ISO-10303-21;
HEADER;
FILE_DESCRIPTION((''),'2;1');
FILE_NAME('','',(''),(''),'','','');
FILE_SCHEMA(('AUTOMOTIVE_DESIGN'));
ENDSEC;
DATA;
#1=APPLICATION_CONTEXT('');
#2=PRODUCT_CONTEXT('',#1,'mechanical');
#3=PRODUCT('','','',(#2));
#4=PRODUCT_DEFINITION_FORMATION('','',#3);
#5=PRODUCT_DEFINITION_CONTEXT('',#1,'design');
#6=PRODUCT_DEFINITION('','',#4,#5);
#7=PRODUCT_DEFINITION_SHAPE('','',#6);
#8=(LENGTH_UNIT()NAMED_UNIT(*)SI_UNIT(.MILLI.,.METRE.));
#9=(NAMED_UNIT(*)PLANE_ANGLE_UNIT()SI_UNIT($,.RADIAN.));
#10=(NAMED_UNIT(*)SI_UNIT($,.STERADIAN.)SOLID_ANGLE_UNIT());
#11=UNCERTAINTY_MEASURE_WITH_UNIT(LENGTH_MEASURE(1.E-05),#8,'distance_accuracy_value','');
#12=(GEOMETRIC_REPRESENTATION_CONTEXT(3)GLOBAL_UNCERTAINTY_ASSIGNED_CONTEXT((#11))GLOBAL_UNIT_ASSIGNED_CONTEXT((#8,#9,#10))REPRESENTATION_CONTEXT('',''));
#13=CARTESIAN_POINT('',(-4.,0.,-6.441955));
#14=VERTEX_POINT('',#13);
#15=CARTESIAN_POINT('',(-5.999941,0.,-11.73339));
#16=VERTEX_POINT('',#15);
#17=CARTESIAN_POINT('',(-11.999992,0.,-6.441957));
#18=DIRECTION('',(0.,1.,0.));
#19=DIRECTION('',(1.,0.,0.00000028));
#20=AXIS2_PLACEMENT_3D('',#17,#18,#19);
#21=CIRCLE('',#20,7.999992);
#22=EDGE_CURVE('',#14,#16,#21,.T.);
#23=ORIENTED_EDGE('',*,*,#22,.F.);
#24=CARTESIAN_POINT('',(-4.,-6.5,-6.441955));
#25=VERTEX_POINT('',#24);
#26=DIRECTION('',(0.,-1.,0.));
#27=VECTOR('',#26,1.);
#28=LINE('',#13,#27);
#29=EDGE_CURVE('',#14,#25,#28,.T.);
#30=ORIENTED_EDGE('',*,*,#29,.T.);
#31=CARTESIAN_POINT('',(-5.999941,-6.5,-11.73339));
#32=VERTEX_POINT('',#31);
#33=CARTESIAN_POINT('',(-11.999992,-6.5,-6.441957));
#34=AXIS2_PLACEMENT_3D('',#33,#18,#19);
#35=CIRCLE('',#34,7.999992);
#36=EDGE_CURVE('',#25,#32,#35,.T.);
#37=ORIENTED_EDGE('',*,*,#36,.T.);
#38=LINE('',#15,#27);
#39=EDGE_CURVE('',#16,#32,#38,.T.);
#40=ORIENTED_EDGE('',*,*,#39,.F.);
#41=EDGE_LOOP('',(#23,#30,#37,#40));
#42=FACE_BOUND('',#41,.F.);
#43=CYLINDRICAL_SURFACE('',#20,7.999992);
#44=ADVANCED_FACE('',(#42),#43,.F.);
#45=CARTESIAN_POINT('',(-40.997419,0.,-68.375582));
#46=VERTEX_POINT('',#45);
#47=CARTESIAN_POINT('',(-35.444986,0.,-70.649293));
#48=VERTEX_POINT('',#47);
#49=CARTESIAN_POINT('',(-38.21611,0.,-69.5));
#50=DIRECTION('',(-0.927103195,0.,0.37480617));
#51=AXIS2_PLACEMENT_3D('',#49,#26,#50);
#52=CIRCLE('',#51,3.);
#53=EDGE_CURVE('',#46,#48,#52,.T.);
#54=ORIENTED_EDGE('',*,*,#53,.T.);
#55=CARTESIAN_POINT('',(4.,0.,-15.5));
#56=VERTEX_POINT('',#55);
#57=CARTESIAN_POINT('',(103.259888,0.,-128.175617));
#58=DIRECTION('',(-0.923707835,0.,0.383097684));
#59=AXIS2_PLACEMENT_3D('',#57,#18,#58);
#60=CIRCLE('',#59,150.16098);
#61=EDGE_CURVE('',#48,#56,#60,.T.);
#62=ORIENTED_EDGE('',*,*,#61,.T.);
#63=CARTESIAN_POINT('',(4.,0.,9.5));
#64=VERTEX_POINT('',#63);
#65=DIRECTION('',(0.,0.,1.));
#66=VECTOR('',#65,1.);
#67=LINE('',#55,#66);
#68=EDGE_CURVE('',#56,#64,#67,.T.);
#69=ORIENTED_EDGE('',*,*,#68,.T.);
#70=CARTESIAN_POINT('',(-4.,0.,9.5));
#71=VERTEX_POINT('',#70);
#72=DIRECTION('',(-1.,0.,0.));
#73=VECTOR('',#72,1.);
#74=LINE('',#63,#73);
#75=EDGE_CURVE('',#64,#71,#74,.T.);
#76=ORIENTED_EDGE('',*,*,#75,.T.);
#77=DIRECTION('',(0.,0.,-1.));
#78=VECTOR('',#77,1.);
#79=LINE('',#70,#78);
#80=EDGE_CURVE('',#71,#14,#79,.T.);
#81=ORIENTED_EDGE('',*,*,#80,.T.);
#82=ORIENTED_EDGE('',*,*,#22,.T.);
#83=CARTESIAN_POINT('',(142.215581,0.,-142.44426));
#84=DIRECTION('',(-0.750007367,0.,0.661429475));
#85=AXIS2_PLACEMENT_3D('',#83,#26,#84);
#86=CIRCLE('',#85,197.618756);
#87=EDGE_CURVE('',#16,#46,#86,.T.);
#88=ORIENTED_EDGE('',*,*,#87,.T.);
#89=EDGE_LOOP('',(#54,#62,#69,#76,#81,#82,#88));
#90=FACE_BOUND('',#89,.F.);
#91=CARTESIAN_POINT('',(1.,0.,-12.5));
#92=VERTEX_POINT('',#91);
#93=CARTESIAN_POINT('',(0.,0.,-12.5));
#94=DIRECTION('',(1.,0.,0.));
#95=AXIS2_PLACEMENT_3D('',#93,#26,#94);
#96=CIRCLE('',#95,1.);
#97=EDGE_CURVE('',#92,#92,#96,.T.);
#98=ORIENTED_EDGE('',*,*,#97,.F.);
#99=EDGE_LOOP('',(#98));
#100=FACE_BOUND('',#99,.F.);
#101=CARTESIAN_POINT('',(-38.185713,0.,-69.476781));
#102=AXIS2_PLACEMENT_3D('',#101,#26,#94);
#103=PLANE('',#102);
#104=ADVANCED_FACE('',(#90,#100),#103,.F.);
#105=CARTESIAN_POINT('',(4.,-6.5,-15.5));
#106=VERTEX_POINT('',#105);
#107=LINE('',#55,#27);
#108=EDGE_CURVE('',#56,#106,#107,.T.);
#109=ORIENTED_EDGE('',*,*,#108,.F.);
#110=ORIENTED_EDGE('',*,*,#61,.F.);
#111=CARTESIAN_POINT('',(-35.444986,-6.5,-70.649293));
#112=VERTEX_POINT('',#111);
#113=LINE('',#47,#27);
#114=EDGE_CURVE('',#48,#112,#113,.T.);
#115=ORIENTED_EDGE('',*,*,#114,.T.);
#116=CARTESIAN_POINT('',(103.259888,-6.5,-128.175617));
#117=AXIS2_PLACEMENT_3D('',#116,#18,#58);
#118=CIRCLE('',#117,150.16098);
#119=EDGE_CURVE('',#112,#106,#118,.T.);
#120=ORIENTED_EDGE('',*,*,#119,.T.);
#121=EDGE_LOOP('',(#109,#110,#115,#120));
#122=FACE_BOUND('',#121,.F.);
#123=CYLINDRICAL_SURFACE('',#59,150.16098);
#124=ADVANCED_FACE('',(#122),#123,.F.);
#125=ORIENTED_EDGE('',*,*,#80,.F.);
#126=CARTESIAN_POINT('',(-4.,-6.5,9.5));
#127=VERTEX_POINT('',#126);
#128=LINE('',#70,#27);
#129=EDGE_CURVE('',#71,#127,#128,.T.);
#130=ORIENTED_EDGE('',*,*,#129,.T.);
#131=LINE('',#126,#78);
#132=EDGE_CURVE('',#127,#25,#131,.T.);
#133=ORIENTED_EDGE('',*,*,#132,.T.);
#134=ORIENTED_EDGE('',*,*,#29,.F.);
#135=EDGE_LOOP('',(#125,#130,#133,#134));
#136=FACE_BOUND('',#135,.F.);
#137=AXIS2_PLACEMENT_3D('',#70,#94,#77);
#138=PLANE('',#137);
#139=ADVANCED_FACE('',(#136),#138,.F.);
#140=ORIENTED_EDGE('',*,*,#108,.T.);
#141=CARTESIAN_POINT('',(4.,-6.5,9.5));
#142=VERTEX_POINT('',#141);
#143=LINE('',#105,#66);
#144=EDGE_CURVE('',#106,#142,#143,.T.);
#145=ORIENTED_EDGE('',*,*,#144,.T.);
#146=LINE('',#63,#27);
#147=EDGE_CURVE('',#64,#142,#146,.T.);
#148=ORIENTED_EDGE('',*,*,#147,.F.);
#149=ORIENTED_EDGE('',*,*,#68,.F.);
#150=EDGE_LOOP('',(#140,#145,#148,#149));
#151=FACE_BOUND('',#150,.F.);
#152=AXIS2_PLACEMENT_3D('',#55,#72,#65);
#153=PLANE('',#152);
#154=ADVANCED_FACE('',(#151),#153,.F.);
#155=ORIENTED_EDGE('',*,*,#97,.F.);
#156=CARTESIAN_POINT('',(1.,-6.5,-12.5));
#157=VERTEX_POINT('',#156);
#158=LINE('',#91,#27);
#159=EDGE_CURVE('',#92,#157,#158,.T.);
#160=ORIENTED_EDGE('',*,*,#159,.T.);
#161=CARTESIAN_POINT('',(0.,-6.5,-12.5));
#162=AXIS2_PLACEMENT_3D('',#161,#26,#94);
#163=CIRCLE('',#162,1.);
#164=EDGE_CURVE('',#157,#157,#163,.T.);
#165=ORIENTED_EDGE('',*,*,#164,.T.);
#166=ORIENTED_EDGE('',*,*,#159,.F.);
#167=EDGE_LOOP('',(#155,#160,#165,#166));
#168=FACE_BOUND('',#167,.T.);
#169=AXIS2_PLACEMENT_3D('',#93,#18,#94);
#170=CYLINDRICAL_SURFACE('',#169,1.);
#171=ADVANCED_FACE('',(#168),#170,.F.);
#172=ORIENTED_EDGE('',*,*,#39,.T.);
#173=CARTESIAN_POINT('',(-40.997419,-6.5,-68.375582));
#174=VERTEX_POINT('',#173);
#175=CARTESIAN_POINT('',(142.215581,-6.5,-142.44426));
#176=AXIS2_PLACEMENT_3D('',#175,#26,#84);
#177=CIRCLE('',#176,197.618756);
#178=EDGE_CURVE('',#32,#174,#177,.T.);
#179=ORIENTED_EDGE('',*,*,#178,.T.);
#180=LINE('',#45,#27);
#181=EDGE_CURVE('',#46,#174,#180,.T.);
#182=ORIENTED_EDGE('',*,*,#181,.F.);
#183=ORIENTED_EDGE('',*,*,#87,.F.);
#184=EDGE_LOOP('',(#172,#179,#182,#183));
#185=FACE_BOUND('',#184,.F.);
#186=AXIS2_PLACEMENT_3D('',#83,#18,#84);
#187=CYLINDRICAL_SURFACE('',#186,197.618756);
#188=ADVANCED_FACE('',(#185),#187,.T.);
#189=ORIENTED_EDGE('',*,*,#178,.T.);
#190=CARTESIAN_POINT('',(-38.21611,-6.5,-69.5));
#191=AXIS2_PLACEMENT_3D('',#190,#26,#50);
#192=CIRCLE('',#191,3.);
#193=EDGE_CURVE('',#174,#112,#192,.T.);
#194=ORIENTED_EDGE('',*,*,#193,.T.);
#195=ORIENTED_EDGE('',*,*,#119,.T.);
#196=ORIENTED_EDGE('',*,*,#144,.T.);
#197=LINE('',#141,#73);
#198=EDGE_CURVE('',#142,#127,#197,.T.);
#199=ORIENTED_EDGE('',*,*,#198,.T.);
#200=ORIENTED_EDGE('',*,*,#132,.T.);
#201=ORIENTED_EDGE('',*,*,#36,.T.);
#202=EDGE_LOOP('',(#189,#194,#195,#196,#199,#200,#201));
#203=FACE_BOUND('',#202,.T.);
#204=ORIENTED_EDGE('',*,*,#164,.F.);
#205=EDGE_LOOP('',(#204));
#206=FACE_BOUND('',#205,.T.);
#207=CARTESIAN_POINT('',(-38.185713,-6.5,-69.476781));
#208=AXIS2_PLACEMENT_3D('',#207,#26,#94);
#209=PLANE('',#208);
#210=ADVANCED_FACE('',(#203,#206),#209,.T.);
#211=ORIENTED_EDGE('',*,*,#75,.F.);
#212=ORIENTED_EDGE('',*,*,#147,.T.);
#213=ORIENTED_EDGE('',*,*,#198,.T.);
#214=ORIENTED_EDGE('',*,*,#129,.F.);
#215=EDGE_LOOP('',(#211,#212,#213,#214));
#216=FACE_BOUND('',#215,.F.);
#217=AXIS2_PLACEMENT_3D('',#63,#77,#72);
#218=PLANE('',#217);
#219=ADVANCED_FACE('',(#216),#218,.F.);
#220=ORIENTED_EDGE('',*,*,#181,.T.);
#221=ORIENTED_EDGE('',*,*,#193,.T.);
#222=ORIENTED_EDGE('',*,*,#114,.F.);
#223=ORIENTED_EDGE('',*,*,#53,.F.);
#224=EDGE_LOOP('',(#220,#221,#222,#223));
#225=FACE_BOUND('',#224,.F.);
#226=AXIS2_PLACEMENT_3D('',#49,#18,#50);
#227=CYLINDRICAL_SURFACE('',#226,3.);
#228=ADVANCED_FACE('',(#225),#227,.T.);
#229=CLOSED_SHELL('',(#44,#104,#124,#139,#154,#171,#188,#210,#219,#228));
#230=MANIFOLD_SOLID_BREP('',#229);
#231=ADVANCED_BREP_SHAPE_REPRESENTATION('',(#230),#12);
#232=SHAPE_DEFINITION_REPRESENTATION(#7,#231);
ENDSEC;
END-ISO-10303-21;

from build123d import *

# Parameters (mm, degrees)
F0_R     = 1
F1_DEPTH = 6.5


with BuildPart() as f1:
    # F0 (on Front) → F1 (new body)
    with BuildSketch(Plane.XZ):
        with BuildLine():
            ThreePointArc((-35.216109, -69.5), (-37.643365, -66.55518), (-40.997419, -68.375582))
            ThreePointArc((-40.997419, -68.375582), (-39.352976, -72.276245), (-35.444986, -70.649293))
            ThreePointArc((-35.444986, -70.649293), (-35.273885, -70.085931), (-35.216109, -69.5))
        make_face()
        with BuildLine():
            Line((4, 9.5), (-4, 9.5))
            Line((-4, 9.5), (-4, -6.441955))
            ThreePointArc((-4, -6.441955), (-4.516669, -9.27034), (-5.999941, -11.73339))
            ThreePointArc((-5.999941, -11.73339), (-25.901345, -38.569953), (-40.997419, -68.375582))
            ThreePointArc((-40.997419, -68.375582), (-37.643365, -66.55518), (-35.216109, -69.5))
            ThreePointArc((-35.216109, -69.5), (-35.273885, -70.085931), (-35.444986, -70.649293))
            ThreePointArc((-35.444986, -70.649293), (-18.875971, -40.819152), (4, -15.5))
            Line((4, -15.5), (4, -9.5))
            Line((4, -9.5), (4, 9.5))
        make_face()
        with Locations((0, -12.5)):
            Circle(F0_R, mode=Mode.SUBTRACT)
    extrude(amount=F1_DEPTH)


solid = f1.part
